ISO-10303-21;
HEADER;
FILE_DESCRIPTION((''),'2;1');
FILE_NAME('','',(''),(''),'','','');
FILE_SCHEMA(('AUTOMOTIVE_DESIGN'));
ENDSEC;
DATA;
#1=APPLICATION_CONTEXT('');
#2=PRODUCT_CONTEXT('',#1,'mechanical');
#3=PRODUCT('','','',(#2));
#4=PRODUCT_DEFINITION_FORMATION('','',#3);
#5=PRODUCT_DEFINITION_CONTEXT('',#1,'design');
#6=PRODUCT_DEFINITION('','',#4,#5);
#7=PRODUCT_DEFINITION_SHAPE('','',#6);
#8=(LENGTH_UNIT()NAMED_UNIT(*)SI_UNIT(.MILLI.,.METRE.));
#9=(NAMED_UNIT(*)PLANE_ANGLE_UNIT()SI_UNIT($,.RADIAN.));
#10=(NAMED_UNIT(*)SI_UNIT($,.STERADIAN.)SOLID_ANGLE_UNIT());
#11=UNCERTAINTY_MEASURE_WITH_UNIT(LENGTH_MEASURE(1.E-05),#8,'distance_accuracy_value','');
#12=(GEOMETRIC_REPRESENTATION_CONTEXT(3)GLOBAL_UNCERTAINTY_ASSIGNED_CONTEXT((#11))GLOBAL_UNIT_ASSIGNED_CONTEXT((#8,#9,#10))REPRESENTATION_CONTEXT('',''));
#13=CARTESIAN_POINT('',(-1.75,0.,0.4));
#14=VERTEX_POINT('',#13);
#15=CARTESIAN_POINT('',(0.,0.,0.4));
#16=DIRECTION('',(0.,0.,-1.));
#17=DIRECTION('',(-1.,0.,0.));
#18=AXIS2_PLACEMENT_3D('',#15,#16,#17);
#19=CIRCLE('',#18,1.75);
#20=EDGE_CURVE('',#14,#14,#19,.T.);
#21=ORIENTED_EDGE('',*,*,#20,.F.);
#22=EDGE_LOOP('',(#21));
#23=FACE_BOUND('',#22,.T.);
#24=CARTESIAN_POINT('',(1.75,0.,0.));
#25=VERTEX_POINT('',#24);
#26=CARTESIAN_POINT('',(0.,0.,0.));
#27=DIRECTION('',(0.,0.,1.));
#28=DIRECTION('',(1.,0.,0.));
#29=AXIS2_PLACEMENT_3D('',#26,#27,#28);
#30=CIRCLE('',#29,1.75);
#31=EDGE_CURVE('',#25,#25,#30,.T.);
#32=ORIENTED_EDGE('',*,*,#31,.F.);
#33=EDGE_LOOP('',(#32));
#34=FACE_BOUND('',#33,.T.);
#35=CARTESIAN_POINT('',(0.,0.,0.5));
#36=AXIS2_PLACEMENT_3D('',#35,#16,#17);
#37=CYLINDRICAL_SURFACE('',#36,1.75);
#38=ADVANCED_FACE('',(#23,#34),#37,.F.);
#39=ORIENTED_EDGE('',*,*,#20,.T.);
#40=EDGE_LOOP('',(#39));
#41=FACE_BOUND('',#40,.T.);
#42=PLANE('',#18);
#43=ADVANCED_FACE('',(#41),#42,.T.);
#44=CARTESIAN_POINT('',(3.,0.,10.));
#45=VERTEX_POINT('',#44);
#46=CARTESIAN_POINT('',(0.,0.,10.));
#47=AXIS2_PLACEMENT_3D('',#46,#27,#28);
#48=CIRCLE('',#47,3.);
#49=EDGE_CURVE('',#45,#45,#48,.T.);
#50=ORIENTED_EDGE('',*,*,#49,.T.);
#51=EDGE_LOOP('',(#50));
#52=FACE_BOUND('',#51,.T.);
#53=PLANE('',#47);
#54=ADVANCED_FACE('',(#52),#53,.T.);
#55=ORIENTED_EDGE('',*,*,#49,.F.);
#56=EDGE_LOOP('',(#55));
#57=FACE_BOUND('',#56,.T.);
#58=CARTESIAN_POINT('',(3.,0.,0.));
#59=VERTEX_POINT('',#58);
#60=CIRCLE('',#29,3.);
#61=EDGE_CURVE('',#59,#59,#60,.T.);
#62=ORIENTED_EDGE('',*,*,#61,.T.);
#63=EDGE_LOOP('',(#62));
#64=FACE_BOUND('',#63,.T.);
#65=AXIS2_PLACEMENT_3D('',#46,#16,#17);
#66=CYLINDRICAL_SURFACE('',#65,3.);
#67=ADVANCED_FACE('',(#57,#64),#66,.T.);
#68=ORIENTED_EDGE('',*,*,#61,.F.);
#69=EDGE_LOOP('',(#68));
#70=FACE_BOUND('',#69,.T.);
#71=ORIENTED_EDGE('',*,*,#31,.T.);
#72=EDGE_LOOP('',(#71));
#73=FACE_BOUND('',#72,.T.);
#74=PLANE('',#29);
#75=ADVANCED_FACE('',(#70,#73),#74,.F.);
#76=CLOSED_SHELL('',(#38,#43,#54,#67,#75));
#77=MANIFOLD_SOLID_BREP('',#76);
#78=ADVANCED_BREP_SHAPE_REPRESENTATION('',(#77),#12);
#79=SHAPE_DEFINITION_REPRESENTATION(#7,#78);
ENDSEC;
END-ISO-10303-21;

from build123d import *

# Parameters (mm, degrees)
SKETCH1_R           = 3
BOSS_EXTRUDE1_DEPTH = 10
SKETCH2_R           = 1.75
CUT_EXTRUDE1_DEPTH  = 0.5
BOSS_EXTRUDE2_START = 0.1
SKETCH3_R           = 1.75
BOSS_EXTRUDE2_DEPTH = 0.1


with BuildPart() as part:
    # Sketch1 → Boss-Extrude1 (new body)
    with BuildSketch(Plane.XY):
        Circle(SKETCH1_R)
    extrude(amount=BOSS_EXTRUDE1_DEPTH)

    # Sketch2 → Cut-Extrude1 (cut)
    with BuildSketch(Plane.XY):
        Circle(SKETCH2_R)
    extrude(amount=CUT_EXTRUDE1_DEPTH, mode=Mode.SUBTRACT)

    # Sketch3 → Boss-Extrude2 (add)
    with BuildSketch(Plane(origin=(0, 0, 0.5), x_dir=(-1, 0, 0), z_dir=(0, 0, -1)).offset(BOSS_EXTRUDE2_START)):
        Circle(SKETCH3_R)
    extrude(amount=-BOSS_EXTRUDE2_DEPTH)


solid = part.part
